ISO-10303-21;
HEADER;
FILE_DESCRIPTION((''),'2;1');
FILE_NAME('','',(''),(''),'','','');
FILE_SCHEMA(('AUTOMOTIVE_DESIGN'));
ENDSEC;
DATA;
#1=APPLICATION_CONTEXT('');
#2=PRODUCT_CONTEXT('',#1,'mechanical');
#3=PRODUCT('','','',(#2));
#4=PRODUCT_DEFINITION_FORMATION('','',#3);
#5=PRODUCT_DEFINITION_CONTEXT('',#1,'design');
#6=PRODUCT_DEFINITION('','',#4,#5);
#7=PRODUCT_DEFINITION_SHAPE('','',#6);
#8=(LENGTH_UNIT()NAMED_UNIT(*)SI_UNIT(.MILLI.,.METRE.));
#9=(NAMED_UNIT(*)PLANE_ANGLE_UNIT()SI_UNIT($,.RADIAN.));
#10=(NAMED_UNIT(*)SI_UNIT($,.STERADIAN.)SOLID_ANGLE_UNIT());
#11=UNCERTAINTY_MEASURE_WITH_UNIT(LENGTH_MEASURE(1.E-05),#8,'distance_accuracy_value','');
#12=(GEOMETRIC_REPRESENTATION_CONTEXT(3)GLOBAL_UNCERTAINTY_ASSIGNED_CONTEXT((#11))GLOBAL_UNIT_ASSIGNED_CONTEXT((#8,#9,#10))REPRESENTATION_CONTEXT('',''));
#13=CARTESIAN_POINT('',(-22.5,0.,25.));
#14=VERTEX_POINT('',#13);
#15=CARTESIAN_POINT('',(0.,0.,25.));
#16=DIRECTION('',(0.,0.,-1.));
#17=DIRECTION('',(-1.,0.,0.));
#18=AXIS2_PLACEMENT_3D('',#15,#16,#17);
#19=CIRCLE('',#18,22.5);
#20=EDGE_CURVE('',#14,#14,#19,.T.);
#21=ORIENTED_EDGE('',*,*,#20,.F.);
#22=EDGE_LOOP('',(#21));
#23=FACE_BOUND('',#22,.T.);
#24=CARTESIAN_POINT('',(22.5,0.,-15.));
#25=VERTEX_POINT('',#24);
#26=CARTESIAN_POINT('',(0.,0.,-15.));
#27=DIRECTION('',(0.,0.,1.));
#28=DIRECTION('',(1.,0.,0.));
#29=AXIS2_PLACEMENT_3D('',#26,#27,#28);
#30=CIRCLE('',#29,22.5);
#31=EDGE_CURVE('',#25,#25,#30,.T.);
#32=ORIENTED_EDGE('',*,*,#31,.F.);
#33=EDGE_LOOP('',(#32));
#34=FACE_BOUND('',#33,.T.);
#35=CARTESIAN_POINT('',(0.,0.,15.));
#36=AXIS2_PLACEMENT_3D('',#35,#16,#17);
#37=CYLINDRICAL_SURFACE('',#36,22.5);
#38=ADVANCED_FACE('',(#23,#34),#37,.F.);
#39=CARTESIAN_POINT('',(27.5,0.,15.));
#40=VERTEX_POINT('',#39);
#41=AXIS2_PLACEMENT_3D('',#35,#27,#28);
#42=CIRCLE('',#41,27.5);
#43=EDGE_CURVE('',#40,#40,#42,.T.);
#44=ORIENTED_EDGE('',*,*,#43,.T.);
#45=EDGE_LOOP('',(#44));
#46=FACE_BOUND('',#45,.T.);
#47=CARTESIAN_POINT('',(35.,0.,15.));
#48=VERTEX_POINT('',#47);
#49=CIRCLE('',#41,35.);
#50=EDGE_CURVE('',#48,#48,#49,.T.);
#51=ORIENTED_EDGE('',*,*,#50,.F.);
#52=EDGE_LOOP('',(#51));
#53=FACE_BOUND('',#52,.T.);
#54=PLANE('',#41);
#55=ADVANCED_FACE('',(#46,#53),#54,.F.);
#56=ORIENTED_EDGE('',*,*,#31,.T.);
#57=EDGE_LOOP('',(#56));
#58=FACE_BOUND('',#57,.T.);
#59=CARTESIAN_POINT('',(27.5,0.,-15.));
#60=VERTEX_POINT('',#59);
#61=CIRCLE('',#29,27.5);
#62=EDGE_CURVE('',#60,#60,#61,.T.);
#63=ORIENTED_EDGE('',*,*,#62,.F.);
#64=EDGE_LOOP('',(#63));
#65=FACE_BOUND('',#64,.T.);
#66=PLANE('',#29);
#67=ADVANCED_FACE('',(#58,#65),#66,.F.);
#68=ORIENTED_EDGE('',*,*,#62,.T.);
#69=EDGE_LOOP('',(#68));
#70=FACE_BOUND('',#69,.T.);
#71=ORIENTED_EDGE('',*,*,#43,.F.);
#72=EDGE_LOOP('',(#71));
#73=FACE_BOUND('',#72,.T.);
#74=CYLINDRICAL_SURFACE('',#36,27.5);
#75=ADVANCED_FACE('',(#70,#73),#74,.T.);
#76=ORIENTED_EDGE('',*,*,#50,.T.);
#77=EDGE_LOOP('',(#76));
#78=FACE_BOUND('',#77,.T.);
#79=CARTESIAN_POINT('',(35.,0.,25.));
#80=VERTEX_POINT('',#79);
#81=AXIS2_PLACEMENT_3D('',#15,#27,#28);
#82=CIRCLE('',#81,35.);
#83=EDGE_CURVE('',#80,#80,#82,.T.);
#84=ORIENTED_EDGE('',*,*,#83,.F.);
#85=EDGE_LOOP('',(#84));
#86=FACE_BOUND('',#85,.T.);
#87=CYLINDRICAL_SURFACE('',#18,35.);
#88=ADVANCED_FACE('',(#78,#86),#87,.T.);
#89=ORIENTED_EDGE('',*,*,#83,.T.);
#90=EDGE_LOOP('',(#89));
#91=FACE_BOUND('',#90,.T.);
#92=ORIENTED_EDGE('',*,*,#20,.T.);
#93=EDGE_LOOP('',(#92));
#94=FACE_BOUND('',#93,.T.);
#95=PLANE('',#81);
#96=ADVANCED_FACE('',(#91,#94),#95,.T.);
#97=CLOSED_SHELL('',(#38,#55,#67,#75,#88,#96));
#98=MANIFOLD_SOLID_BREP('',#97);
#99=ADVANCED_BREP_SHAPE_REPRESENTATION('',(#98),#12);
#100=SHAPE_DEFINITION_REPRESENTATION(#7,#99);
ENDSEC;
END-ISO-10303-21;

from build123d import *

# Parameters (mm, degrees)
SKETCH2_R               = 27.5
SKETCH2_R_2             = 22.5
BOSS_EXTRUDE2_DEPTH     = 15
SKETCH3_R               = 35
BOSS_EXTRUDE3_DEPTH     = 10
SKETCH4_R               = 22.5
CUT_EXTRUDE1_DEPTH      = 31
CUT_EXTRUDE1_DEPTH_BACK = 11


with BuildPart() as part:
    # Sketch2 → Boss-Extrude2 (new body, symmetric)
    with BuildSketch(Plane.XY):
        Circle(SKETCH2_R)
        Circle(SKETCH2_R_2, mode=Mode.SUBTRACT)
    extrude(amount=BOSS_EXTRUDE2_DEPTH, both=True)

    # Sketch3 → Boss-Extrude3 (add)
    with BuildSketch(Plane.XY.offset(15)):
        Circle(SKETCH3_R)
    extrude(amount=BOSS_EXTRUDE3_DEPTH)

    # Sketch4 → Cut-Extrude1 (cut, two sides)
    with BuildSketch(Plane(origin=(0, 0, 15), x_dir=(-1, 0, 0), z_dir=(0, 0, -1))) as cut_extrude1_sk:
        Circle(SKETCH4_R)
    extrude(amount=CUT_EXTRUDE1_DEPTH, mode=Mode.SUBTRACT)
    extrude(cut_extrude1_sk.sketch, amount=-CUT_EXTRUDE1_DEPTH_BACK, mode=Mode.SUBTRACT)


solid = part.part
